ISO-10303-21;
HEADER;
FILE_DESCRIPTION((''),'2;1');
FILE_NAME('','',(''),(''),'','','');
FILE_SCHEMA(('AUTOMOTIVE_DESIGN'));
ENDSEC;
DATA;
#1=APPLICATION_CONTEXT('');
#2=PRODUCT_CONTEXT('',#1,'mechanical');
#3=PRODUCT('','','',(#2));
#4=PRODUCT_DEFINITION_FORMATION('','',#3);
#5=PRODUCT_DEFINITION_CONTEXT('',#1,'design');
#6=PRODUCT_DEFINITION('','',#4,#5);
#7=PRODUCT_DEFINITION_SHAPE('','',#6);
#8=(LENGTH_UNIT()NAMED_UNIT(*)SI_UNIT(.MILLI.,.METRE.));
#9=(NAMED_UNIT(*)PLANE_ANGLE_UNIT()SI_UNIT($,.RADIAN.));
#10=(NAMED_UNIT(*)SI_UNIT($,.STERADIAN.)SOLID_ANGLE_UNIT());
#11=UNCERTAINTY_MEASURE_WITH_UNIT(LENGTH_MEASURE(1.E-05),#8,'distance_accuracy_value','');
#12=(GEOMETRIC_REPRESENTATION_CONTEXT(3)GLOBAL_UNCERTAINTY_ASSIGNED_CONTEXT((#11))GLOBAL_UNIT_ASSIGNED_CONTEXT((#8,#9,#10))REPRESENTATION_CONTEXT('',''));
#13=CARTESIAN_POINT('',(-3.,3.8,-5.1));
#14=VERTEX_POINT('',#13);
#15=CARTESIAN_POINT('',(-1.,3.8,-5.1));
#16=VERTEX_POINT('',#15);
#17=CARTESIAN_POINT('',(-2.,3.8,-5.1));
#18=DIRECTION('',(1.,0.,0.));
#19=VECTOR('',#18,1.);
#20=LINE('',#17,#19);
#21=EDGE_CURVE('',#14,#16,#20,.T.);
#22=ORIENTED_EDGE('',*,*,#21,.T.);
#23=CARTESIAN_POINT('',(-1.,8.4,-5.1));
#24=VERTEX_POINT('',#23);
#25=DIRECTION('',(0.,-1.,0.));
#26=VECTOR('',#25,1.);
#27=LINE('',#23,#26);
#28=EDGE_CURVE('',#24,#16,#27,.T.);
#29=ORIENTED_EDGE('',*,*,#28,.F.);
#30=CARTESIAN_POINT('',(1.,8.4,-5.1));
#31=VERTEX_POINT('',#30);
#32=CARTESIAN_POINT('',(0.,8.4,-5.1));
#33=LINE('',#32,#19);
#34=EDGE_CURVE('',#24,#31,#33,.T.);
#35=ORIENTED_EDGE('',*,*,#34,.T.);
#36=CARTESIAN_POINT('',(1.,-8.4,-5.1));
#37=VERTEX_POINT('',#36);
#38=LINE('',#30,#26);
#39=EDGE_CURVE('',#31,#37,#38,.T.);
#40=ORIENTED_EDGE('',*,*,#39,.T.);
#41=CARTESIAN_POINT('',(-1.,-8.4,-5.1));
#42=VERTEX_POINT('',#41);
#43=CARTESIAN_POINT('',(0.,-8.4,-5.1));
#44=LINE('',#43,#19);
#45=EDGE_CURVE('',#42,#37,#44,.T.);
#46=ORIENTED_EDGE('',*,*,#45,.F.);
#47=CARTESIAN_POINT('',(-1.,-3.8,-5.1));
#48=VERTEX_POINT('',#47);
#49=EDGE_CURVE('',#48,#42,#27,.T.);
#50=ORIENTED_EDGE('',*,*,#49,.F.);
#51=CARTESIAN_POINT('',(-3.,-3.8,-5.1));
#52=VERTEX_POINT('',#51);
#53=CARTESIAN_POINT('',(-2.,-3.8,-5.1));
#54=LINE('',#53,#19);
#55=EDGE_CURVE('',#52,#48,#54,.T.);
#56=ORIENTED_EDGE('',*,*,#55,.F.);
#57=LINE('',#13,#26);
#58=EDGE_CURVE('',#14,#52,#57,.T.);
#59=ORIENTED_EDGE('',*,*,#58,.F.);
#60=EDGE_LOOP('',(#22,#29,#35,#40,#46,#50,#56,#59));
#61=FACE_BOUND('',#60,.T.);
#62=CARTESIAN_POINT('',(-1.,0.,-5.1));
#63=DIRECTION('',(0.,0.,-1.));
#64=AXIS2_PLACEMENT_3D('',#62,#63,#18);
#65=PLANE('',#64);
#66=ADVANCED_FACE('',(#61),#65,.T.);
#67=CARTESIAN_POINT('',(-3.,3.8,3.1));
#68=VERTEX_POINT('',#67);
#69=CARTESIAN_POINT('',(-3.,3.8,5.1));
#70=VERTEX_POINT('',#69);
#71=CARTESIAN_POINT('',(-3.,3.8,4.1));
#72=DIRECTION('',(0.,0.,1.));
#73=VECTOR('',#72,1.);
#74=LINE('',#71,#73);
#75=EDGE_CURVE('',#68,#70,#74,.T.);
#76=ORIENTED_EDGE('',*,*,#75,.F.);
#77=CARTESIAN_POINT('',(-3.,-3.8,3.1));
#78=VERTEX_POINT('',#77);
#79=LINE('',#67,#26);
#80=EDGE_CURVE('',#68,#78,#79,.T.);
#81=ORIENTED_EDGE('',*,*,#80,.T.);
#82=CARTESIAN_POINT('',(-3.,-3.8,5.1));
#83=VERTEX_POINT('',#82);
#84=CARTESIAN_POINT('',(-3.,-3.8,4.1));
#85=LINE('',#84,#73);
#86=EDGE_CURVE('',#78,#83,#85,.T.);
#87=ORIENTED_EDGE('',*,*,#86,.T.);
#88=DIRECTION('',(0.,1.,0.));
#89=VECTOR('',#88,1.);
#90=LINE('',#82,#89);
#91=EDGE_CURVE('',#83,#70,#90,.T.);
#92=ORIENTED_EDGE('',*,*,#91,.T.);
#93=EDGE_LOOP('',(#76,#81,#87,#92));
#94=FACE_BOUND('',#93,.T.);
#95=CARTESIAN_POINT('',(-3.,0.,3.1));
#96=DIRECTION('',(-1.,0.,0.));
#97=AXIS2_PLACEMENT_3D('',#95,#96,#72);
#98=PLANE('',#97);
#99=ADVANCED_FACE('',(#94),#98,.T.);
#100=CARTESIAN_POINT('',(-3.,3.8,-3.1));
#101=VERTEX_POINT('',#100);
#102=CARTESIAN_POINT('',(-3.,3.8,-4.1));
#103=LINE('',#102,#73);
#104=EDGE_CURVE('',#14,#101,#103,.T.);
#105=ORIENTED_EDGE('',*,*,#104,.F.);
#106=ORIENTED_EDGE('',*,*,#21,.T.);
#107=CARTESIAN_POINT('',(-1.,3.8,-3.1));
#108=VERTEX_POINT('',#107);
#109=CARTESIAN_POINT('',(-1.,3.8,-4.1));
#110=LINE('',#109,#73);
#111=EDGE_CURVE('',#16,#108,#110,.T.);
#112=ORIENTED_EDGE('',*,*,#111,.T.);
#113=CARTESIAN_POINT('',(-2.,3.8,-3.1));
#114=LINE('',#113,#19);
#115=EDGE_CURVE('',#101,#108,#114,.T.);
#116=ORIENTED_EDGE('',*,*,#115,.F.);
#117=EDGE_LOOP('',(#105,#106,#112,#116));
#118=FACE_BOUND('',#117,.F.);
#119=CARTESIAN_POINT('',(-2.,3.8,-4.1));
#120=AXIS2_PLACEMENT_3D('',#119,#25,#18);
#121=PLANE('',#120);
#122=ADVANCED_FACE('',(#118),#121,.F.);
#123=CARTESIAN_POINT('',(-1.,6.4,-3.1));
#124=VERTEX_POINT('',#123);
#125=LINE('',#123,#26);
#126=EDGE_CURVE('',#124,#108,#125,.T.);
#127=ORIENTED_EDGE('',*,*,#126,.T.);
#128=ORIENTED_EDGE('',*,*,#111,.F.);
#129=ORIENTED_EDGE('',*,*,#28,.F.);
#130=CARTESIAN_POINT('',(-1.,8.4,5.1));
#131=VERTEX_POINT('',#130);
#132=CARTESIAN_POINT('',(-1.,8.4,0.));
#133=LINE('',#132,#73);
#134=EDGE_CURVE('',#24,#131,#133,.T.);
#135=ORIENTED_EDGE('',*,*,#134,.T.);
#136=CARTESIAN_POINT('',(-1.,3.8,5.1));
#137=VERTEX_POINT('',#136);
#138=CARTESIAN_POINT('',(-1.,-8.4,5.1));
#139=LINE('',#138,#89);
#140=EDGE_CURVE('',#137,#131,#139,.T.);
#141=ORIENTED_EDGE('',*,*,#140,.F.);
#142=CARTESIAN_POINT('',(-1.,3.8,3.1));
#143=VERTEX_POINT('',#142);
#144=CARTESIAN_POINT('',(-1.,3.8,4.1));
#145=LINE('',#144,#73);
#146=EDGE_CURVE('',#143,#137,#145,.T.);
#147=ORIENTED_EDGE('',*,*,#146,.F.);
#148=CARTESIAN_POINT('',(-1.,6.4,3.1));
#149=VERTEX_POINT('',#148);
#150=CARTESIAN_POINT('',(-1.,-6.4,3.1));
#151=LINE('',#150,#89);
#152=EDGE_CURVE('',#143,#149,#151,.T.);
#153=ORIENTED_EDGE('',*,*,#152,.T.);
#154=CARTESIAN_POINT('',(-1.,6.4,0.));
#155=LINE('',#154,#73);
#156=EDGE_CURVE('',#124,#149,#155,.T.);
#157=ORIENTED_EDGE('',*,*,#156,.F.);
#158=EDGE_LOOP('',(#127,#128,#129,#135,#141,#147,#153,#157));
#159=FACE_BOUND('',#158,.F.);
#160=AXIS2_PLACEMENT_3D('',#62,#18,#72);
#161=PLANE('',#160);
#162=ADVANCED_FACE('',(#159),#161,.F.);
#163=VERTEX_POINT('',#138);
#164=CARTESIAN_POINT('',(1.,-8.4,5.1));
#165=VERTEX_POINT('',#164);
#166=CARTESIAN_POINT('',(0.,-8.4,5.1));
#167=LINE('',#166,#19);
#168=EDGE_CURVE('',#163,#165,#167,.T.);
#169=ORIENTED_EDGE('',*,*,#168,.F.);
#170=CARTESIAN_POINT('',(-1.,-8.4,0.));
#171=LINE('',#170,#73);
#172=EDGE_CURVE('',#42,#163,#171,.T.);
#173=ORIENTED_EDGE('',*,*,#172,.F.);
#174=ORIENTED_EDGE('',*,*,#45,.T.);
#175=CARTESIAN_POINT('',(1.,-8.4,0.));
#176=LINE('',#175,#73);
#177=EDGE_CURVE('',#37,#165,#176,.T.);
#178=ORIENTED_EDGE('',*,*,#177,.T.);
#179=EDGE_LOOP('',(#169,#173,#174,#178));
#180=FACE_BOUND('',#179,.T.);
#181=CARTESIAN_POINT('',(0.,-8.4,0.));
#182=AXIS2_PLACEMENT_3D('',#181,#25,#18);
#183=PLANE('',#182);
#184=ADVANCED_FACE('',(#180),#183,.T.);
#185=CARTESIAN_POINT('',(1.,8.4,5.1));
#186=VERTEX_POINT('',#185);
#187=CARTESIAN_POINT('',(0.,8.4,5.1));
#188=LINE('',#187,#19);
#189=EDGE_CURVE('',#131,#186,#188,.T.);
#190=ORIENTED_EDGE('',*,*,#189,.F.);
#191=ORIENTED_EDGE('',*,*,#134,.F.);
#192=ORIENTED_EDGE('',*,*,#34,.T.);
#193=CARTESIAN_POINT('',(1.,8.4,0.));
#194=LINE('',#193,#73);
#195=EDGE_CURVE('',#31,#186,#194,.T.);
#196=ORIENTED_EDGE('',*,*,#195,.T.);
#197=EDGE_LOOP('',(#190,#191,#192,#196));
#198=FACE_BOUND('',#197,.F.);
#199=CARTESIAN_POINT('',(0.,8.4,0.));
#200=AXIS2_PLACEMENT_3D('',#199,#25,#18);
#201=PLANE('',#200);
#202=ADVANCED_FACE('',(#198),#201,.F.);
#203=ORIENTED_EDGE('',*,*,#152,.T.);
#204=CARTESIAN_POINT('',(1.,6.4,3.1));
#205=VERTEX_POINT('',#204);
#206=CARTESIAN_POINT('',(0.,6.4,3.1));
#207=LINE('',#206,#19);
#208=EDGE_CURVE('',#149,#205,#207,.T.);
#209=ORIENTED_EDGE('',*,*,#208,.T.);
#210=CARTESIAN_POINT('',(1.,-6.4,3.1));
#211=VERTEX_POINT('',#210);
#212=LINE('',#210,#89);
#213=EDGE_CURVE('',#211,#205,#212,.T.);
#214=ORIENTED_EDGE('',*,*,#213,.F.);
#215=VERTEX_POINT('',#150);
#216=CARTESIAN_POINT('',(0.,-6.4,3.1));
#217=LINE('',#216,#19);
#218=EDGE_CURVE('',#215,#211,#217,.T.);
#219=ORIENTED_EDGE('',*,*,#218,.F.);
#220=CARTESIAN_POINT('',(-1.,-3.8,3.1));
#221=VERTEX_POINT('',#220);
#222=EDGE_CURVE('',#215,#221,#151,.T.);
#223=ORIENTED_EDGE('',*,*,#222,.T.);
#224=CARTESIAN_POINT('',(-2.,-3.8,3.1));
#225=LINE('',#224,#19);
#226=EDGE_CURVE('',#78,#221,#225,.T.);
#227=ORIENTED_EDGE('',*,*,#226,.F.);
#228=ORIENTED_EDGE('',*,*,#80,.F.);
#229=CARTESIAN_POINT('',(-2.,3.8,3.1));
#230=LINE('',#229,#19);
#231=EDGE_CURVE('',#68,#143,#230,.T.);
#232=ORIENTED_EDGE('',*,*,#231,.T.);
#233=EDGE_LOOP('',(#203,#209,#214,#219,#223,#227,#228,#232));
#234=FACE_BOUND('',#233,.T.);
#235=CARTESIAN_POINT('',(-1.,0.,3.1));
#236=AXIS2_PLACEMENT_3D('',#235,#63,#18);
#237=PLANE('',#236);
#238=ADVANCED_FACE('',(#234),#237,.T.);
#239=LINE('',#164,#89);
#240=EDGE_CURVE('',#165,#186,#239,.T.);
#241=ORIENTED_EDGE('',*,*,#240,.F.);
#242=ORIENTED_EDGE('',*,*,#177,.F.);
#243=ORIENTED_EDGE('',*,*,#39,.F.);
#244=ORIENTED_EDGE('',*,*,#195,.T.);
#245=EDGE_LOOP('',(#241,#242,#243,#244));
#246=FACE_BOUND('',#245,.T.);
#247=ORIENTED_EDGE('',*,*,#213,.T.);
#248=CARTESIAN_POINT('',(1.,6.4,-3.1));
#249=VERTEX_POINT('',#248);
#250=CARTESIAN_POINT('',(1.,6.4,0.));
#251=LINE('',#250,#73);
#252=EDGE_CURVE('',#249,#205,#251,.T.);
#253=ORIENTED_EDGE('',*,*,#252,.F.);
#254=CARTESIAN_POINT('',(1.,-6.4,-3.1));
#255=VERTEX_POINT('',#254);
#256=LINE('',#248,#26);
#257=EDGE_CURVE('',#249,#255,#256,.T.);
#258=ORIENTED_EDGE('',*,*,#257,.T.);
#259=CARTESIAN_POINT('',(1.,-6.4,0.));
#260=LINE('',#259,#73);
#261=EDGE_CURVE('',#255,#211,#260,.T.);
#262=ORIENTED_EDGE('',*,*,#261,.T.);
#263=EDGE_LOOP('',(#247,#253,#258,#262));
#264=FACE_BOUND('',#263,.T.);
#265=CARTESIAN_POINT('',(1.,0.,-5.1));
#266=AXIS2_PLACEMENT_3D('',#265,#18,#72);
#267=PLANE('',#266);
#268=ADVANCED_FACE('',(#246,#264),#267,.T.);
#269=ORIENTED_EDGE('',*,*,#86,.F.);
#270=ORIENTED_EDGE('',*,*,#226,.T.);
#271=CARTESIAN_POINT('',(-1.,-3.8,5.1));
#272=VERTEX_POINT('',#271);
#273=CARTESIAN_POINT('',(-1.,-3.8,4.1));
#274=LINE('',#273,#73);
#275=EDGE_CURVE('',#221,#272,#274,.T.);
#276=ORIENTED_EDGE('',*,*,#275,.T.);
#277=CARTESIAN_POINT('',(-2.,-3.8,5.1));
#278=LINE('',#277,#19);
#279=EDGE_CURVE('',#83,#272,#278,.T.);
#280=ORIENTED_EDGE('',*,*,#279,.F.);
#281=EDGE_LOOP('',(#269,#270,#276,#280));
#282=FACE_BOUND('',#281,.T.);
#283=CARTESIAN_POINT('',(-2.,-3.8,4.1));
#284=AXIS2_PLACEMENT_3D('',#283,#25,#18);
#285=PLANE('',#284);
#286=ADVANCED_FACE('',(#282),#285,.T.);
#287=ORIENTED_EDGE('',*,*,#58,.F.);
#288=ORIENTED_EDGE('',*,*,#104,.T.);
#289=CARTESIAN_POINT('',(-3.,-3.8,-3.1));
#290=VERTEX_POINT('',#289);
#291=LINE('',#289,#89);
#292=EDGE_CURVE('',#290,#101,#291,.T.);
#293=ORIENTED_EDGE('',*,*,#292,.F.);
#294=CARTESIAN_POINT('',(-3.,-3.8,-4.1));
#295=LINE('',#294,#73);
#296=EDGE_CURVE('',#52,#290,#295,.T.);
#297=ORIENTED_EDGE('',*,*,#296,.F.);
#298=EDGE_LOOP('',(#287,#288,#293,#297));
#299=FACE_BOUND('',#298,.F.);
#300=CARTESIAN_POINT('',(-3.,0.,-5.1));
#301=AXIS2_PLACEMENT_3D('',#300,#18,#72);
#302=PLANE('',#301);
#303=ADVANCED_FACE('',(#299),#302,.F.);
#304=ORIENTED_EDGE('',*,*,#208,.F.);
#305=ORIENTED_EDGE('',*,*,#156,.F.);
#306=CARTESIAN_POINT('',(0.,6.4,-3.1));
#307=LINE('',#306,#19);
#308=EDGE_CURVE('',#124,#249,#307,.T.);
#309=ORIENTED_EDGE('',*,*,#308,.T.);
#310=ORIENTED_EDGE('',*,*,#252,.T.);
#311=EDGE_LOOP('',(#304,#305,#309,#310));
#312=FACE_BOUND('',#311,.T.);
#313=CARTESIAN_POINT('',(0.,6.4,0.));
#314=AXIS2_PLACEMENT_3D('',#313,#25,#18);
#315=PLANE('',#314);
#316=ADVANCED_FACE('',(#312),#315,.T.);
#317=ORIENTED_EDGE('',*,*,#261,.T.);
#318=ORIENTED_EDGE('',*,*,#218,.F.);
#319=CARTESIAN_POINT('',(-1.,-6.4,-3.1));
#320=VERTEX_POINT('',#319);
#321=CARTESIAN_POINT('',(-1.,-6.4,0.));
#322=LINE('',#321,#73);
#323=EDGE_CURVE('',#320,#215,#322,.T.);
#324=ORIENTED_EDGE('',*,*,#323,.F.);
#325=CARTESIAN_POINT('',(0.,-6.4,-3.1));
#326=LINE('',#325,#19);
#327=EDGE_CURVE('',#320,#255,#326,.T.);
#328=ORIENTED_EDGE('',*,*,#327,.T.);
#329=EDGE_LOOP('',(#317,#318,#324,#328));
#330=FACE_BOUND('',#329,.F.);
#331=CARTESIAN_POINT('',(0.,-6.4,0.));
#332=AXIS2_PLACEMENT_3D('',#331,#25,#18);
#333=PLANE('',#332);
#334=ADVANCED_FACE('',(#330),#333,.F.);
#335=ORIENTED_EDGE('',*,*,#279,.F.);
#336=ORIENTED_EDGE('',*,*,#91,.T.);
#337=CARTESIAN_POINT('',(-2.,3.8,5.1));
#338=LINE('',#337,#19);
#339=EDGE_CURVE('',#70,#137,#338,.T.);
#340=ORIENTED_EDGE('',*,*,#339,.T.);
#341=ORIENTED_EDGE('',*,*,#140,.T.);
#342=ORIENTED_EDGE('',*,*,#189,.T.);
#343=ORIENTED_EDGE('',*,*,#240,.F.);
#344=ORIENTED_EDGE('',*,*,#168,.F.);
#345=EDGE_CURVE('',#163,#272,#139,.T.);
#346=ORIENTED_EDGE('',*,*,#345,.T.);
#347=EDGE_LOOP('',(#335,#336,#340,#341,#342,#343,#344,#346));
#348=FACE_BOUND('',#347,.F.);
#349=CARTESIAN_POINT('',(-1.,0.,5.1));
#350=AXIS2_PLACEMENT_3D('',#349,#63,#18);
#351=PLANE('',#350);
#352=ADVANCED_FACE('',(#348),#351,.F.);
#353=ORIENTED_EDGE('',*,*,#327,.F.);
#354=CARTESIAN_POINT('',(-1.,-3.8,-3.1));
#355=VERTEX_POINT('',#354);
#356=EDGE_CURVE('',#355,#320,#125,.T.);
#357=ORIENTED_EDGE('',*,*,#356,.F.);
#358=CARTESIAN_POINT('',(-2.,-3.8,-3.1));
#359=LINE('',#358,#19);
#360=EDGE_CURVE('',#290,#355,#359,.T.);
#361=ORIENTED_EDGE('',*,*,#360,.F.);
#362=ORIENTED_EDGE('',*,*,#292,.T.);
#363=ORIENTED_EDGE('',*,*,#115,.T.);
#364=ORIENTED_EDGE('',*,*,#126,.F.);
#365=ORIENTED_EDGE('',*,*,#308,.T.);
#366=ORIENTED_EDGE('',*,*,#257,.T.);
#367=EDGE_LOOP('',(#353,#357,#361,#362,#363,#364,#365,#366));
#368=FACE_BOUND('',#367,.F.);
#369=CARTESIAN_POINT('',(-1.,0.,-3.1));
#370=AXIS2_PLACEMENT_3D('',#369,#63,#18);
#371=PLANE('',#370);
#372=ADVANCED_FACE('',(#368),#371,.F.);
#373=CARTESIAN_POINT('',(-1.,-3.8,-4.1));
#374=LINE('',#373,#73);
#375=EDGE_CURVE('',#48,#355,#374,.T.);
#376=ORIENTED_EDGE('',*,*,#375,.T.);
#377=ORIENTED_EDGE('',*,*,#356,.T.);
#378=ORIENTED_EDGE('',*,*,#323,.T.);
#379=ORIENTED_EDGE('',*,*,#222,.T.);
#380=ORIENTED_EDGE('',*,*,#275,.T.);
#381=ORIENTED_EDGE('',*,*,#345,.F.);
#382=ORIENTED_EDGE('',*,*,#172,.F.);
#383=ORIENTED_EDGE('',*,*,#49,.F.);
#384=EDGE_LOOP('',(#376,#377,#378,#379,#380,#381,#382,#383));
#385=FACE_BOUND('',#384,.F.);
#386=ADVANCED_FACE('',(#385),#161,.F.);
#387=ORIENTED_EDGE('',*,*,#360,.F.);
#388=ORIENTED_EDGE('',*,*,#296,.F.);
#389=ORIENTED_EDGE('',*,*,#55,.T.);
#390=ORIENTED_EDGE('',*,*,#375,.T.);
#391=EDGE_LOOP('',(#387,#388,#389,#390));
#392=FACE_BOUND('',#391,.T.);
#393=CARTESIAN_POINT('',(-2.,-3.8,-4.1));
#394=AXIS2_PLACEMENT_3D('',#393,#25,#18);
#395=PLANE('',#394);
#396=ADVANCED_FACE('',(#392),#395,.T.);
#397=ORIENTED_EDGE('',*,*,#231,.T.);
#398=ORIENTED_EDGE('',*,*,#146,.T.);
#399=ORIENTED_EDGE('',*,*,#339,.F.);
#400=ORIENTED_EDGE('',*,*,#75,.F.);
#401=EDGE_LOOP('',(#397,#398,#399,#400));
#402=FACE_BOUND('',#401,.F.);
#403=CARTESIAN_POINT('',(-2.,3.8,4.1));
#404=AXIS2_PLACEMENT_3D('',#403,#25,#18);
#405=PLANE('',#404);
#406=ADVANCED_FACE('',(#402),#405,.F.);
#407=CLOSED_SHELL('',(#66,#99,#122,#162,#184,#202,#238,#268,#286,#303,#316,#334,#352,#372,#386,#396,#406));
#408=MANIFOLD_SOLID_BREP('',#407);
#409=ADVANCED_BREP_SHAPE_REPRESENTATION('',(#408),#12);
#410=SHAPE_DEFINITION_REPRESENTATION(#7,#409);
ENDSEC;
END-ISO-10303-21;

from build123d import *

# Parameters (mm, degrees)
SKETCH061_W     = 2
SKETCH061_H     = 10.2
PAD021_DEPTH    = 8.4
SKETCH062_W     = 2
SKETCH062_H     = 6.2
POCKET014_DEPTH = 6.4
SKETCH063_W     = 2
SKETCH063_H     = 2
PAD022_DEPTH    = 3.8


with BuildPart() as part:
    # Sketch061 → Pad021 (new body, symmetric)
    with BuildSketch(Plane.XZ):
        Rectangle(SKETCH061_W, SKETCH061_H)
    extrude(amount=PAD021_DEPTH, both=True)

    # Sketch062 → Pocket014 (cut, symmetric)
    with BuildSketch(Plane.XZ):
        Rectangle(SKETCH062_W, SKETCH062_H)
    extrude(amount=POCKET014_DEPTH, both=True, mode=Mode.SUBTRACT)

    # Sketch063 → Pad022 (join, symmetric)
    with BuildSketch(Plane.XZ):
        with Locations((-2, 4.1)):
            Rectangle(SKETCH063_W, SKETCH063_H)
        with Locations((-2, -4.1)):
            Rectangle(SKETCH063_W, SKETCH063_H)
    extrude(amount=PAD022_DEPTH, both=True)


solid = part.part
